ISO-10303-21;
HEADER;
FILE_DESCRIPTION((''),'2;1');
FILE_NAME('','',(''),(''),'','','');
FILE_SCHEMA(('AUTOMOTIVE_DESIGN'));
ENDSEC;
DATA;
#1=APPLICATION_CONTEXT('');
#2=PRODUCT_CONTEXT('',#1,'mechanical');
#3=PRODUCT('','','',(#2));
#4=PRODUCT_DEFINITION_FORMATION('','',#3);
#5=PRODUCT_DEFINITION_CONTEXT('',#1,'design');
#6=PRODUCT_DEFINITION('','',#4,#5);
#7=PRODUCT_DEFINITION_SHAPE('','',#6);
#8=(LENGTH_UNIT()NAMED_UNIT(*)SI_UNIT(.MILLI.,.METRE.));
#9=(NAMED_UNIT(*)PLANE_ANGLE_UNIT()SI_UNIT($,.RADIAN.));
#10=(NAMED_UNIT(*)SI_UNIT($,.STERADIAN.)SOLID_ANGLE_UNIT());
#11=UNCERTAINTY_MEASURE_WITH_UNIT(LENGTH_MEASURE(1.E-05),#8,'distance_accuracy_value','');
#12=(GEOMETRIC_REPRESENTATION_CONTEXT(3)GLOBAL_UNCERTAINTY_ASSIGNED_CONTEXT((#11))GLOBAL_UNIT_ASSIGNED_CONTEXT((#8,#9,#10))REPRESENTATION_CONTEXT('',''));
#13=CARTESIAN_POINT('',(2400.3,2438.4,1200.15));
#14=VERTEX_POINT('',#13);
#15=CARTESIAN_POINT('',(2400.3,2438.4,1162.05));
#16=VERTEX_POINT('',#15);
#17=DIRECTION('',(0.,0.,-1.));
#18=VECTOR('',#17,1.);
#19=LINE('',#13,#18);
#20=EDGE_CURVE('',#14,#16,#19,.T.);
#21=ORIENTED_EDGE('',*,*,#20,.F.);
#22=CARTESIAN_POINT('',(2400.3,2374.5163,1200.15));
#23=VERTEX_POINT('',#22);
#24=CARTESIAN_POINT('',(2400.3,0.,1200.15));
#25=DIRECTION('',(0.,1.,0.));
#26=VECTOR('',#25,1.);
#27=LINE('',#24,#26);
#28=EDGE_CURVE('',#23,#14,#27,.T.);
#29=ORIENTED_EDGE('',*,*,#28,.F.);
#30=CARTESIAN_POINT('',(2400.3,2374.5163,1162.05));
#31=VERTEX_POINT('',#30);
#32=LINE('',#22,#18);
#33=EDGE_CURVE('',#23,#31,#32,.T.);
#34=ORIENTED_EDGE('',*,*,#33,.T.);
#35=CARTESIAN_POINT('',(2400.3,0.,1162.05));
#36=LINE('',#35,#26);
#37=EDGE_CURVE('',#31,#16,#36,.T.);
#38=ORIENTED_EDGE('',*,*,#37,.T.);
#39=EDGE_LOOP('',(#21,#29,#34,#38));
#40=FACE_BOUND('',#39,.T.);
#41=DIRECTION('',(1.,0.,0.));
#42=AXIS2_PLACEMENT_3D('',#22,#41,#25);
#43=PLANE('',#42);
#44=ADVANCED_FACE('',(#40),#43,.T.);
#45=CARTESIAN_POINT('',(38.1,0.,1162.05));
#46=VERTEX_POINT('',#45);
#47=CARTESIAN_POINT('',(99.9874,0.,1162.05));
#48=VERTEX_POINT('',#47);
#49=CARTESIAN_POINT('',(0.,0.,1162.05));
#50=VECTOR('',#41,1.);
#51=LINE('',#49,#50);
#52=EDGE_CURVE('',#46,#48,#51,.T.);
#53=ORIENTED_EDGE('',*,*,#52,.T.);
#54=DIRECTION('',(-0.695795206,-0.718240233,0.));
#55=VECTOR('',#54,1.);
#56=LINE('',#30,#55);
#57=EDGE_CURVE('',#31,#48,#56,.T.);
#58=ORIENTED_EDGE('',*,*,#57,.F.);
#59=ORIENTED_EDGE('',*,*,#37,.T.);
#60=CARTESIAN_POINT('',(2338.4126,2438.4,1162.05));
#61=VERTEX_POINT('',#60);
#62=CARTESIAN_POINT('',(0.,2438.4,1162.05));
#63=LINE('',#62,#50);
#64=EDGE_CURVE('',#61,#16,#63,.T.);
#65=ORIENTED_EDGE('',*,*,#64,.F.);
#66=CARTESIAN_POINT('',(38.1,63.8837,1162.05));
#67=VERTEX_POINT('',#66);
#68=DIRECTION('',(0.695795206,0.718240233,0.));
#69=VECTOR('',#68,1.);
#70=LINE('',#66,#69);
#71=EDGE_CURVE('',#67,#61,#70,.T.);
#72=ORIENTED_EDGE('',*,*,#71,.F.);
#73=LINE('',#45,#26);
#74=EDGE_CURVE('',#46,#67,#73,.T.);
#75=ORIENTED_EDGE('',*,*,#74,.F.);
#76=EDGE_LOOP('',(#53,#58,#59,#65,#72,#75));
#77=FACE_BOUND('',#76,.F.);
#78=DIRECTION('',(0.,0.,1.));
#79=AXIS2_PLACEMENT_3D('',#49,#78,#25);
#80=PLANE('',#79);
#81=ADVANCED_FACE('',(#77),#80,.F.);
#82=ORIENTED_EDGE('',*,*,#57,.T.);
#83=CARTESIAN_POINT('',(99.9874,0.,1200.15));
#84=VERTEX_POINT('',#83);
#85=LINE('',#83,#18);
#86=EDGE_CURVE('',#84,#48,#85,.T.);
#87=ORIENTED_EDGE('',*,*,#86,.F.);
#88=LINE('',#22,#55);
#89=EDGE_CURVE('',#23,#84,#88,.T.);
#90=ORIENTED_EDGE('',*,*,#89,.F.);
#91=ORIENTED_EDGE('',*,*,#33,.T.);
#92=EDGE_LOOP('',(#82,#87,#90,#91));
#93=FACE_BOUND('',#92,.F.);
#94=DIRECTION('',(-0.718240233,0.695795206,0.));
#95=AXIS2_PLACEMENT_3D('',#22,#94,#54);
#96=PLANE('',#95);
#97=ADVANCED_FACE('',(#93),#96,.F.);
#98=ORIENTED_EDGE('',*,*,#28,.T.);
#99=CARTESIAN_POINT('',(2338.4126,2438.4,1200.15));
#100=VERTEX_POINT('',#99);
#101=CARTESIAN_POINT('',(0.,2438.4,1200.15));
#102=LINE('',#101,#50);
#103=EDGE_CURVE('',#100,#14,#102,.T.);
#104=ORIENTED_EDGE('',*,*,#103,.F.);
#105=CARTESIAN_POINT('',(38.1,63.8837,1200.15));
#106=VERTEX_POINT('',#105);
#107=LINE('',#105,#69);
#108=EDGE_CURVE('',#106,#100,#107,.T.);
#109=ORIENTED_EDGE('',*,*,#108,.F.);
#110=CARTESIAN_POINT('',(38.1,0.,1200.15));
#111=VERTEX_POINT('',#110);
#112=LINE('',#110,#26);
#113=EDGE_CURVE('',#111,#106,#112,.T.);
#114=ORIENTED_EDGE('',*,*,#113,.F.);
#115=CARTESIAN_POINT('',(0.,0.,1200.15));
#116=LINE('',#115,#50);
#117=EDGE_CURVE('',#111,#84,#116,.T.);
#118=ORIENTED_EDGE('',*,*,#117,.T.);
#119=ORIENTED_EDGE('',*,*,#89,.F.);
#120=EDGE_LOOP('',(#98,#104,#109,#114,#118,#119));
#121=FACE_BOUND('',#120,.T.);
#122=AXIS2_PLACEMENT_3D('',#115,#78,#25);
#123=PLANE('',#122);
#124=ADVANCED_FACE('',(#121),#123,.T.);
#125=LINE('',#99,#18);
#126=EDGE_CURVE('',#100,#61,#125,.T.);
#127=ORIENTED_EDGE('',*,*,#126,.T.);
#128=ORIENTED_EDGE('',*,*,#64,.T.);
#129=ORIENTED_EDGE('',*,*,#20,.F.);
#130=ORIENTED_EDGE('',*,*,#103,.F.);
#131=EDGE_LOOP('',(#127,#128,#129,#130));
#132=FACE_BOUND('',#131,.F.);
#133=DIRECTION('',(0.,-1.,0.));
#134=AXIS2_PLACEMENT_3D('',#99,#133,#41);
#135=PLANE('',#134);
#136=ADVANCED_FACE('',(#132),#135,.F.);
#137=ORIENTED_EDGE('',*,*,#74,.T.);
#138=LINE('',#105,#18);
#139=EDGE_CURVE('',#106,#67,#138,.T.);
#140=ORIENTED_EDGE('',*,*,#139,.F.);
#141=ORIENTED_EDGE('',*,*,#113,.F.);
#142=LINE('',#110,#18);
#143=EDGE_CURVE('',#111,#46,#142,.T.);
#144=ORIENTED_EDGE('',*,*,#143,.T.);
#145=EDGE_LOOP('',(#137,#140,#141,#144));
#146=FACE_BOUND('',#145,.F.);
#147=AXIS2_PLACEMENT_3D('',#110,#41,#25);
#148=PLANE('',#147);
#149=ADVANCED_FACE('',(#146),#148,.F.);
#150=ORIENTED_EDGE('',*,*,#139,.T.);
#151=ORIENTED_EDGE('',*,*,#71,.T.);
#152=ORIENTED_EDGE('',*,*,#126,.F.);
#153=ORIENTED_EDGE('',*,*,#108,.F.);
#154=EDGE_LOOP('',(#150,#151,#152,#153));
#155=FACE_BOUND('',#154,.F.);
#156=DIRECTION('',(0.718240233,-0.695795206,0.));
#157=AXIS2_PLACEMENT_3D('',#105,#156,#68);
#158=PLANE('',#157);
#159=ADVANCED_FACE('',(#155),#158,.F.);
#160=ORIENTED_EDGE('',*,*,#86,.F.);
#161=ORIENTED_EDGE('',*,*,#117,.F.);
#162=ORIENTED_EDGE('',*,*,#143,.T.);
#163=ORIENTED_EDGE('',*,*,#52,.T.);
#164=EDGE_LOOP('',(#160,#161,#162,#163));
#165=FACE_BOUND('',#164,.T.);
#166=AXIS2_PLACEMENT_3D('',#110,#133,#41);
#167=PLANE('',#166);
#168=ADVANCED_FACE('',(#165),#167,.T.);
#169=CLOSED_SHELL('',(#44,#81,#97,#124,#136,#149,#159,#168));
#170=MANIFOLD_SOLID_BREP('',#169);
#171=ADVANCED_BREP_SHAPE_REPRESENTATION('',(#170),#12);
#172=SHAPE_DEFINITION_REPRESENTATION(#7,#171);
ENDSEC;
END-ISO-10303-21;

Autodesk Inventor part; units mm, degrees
ref_plane "YZ Plane" through (0, 0, 0) normal (1, 0, 0) x (0, 1, 0)
ref_plane "XZ Plane" through (0, 0, 0) normal (0, 1, 0) x (-1, 0, 0)
ref_plane "Work Plane1" through (0, 0, 1200.15) normal (0, 0, 1) x (0, 1, 0)
sketch "Sketch1" plane through (0, 0, 1200.15) normal (0, 0, 1) x (0, 1, 0)
  line L0 (0, -2400.3) -> (2438.4, -2400.3) projected
  line L1 (2438.4, 0) -> (2438.4, -2438.4) projected
  line L2 (0, 0) -> (0, -3657.6) projected
  line L3 (0, -38.1) -> (2438.4, -38.1) projected
  line L4 (63.8837, -38.1) -> (2438.4, -2338.4126)
  line L5 (2438.4, -2338.4126) -> (2438.4, -2400.3)
  line L6 (2438.4, -2400.3) -> (2374.5163, -2400.3)
  line L7 (2374.5163, -2400.3) -> (0, -99.9874)
  line L8 (0, -99.9874) -> (0, -38.1)
  line L9 (0, -38.1) -> (63.8837, -38.1)
extrude "Extrusion1" add sketch "Sketch1" against normal blind 38.1 contours L7 L2 L3 L4 L1 L0
properties part number "s88x2x4"
